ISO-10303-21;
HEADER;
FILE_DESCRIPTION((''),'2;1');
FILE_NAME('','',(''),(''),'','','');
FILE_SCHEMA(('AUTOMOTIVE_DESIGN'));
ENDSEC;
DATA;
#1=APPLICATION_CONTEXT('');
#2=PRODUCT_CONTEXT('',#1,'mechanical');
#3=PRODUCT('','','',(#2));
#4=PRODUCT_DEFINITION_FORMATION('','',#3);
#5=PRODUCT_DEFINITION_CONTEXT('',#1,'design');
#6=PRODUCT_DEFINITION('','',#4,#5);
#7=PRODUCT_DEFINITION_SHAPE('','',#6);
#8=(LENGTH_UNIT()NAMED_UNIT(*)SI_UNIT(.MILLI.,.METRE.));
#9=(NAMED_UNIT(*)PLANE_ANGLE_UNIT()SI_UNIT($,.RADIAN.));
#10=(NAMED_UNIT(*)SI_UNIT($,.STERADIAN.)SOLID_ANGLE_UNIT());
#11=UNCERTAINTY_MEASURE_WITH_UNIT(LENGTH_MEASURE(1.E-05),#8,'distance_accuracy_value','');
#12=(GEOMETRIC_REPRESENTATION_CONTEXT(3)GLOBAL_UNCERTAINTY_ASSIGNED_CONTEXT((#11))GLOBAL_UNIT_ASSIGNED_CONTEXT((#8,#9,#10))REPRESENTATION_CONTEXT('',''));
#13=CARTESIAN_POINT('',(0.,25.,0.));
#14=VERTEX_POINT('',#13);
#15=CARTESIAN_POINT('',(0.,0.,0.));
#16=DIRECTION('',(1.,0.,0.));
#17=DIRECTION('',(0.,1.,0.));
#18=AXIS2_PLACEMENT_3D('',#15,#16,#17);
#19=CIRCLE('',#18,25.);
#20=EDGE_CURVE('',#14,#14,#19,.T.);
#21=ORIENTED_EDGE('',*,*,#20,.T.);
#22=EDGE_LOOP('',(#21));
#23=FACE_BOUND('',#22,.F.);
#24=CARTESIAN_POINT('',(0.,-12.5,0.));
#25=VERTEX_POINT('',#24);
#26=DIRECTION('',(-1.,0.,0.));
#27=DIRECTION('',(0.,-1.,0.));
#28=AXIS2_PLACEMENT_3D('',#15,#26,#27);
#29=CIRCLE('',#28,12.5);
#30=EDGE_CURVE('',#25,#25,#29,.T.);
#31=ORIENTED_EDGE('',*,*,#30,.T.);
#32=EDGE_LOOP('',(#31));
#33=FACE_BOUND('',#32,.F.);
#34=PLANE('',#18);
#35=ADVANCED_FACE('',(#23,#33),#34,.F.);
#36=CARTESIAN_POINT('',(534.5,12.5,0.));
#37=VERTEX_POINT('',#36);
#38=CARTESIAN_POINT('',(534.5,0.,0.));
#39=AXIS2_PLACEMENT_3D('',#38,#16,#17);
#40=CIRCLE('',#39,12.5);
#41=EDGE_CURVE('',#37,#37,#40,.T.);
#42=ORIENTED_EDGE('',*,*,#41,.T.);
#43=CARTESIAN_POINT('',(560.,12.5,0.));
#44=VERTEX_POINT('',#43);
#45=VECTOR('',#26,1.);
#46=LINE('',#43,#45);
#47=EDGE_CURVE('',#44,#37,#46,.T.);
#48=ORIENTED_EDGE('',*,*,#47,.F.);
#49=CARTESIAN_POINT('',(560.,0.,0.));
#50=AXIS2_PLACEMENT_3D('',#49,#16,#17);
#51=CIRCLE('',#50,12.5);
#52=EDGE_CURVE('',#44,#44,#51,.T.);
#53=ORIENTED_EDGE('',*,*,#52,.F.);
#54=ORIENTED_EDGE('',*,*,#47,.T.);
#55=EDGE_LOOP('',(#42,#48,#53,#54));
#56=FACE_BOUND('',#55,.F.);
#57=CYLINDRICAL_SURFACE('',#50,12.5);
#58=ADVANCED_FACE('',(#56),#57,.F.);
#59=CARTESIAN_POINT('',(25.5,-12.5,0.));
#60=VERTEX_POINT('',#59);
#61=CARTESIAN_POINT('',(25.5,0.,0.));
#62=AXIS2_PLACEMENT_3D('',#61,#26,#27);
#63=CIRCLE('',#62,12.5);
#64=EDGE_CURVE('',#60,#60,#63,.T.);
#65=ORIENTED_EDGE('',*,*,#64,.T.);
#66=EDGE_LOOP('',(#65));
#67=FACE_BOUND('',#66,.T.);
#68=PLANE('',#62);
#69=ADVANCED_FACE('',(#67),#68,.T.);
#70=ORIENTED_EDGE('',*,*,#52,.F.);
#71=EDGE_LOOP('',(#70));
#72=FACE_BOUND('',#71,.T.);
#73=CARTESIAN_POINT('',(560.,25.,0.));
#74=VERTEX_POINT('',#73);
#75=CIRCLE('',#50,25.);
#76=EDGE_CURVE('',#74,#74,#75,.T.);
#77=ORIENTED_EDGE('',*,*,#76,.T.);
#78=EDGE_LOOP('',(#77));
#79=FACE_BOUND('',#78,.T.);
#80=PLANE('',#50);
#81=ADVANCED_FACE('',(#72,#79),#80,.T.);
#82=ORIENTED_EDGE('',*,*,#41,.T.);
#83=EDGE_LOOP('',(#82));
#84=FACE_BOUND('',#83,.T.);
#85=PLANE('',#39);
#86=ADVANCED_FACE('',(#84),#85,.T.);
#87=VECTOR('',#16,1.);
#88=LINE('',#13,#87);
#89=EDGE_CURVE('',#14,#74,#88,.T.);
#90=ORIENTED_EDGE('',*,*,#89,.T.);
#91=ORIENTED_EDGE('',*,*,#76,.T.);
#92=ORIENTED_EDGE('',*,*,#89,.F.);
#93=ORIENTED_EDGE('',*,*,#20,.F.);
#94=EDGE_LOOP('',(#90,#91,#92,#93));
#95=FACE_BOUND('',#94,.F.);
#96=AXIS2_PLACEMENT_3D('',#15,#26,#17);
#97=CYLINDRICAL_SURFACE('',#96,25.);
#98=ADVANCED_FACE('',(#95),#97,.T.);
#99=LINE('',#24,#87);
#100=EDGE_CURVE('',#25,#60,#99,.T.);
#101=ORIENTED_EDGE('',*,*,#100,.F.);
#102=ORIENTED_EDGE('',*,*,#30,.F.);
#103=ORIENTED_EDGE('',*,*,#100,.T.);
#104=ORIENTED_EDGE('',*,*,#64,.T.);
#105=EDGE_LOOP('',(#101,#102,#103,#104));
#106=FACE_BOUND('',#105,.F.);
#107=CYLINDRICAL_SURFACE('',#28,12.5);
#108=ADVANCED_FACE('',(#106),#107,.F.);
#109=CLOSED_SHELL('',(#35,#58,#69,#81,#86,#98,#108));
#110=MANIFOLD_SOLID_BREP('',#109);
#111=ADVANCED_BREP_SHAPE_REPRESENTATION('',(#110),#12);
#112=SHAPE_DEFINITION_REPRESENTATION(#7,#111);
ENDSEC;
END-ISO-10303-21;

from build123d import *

# Parameters (mm, degrees)
F0_R     = 25
F1_DEPTH = 560
F2_R     = 12.5
F3_DEPTH = 25.5
F4_R     = 12.5
F5_DEPTH = 25.5


with BuildPart() as f1:
    # F0 (on Right) → F1 (new body)
    with BuildSketch(Plane.YZ):
        Circle(F0_R)
    extrude(amount=F1_DEPTH)

    # F2 (on face) → F3 (cut)
    with BuildSketch(Plane(origin=(0, 0, 0), x_dir=(0, -1, 0), z_dir=(-1, 0, 0))):
        Circle(F2_R)
    extrude(amount=-F3_DEPTH, mode=Mode.SUBTRACT)

    # F4 (on face) → F5 (cut)
    with BuildSketch(Plane.YZ.offset(560)):
        Circle(F4_R)
    extrude(amount=-F5_DEPTH, mode=Mode.SUBTRACT)


solid = f1.part
